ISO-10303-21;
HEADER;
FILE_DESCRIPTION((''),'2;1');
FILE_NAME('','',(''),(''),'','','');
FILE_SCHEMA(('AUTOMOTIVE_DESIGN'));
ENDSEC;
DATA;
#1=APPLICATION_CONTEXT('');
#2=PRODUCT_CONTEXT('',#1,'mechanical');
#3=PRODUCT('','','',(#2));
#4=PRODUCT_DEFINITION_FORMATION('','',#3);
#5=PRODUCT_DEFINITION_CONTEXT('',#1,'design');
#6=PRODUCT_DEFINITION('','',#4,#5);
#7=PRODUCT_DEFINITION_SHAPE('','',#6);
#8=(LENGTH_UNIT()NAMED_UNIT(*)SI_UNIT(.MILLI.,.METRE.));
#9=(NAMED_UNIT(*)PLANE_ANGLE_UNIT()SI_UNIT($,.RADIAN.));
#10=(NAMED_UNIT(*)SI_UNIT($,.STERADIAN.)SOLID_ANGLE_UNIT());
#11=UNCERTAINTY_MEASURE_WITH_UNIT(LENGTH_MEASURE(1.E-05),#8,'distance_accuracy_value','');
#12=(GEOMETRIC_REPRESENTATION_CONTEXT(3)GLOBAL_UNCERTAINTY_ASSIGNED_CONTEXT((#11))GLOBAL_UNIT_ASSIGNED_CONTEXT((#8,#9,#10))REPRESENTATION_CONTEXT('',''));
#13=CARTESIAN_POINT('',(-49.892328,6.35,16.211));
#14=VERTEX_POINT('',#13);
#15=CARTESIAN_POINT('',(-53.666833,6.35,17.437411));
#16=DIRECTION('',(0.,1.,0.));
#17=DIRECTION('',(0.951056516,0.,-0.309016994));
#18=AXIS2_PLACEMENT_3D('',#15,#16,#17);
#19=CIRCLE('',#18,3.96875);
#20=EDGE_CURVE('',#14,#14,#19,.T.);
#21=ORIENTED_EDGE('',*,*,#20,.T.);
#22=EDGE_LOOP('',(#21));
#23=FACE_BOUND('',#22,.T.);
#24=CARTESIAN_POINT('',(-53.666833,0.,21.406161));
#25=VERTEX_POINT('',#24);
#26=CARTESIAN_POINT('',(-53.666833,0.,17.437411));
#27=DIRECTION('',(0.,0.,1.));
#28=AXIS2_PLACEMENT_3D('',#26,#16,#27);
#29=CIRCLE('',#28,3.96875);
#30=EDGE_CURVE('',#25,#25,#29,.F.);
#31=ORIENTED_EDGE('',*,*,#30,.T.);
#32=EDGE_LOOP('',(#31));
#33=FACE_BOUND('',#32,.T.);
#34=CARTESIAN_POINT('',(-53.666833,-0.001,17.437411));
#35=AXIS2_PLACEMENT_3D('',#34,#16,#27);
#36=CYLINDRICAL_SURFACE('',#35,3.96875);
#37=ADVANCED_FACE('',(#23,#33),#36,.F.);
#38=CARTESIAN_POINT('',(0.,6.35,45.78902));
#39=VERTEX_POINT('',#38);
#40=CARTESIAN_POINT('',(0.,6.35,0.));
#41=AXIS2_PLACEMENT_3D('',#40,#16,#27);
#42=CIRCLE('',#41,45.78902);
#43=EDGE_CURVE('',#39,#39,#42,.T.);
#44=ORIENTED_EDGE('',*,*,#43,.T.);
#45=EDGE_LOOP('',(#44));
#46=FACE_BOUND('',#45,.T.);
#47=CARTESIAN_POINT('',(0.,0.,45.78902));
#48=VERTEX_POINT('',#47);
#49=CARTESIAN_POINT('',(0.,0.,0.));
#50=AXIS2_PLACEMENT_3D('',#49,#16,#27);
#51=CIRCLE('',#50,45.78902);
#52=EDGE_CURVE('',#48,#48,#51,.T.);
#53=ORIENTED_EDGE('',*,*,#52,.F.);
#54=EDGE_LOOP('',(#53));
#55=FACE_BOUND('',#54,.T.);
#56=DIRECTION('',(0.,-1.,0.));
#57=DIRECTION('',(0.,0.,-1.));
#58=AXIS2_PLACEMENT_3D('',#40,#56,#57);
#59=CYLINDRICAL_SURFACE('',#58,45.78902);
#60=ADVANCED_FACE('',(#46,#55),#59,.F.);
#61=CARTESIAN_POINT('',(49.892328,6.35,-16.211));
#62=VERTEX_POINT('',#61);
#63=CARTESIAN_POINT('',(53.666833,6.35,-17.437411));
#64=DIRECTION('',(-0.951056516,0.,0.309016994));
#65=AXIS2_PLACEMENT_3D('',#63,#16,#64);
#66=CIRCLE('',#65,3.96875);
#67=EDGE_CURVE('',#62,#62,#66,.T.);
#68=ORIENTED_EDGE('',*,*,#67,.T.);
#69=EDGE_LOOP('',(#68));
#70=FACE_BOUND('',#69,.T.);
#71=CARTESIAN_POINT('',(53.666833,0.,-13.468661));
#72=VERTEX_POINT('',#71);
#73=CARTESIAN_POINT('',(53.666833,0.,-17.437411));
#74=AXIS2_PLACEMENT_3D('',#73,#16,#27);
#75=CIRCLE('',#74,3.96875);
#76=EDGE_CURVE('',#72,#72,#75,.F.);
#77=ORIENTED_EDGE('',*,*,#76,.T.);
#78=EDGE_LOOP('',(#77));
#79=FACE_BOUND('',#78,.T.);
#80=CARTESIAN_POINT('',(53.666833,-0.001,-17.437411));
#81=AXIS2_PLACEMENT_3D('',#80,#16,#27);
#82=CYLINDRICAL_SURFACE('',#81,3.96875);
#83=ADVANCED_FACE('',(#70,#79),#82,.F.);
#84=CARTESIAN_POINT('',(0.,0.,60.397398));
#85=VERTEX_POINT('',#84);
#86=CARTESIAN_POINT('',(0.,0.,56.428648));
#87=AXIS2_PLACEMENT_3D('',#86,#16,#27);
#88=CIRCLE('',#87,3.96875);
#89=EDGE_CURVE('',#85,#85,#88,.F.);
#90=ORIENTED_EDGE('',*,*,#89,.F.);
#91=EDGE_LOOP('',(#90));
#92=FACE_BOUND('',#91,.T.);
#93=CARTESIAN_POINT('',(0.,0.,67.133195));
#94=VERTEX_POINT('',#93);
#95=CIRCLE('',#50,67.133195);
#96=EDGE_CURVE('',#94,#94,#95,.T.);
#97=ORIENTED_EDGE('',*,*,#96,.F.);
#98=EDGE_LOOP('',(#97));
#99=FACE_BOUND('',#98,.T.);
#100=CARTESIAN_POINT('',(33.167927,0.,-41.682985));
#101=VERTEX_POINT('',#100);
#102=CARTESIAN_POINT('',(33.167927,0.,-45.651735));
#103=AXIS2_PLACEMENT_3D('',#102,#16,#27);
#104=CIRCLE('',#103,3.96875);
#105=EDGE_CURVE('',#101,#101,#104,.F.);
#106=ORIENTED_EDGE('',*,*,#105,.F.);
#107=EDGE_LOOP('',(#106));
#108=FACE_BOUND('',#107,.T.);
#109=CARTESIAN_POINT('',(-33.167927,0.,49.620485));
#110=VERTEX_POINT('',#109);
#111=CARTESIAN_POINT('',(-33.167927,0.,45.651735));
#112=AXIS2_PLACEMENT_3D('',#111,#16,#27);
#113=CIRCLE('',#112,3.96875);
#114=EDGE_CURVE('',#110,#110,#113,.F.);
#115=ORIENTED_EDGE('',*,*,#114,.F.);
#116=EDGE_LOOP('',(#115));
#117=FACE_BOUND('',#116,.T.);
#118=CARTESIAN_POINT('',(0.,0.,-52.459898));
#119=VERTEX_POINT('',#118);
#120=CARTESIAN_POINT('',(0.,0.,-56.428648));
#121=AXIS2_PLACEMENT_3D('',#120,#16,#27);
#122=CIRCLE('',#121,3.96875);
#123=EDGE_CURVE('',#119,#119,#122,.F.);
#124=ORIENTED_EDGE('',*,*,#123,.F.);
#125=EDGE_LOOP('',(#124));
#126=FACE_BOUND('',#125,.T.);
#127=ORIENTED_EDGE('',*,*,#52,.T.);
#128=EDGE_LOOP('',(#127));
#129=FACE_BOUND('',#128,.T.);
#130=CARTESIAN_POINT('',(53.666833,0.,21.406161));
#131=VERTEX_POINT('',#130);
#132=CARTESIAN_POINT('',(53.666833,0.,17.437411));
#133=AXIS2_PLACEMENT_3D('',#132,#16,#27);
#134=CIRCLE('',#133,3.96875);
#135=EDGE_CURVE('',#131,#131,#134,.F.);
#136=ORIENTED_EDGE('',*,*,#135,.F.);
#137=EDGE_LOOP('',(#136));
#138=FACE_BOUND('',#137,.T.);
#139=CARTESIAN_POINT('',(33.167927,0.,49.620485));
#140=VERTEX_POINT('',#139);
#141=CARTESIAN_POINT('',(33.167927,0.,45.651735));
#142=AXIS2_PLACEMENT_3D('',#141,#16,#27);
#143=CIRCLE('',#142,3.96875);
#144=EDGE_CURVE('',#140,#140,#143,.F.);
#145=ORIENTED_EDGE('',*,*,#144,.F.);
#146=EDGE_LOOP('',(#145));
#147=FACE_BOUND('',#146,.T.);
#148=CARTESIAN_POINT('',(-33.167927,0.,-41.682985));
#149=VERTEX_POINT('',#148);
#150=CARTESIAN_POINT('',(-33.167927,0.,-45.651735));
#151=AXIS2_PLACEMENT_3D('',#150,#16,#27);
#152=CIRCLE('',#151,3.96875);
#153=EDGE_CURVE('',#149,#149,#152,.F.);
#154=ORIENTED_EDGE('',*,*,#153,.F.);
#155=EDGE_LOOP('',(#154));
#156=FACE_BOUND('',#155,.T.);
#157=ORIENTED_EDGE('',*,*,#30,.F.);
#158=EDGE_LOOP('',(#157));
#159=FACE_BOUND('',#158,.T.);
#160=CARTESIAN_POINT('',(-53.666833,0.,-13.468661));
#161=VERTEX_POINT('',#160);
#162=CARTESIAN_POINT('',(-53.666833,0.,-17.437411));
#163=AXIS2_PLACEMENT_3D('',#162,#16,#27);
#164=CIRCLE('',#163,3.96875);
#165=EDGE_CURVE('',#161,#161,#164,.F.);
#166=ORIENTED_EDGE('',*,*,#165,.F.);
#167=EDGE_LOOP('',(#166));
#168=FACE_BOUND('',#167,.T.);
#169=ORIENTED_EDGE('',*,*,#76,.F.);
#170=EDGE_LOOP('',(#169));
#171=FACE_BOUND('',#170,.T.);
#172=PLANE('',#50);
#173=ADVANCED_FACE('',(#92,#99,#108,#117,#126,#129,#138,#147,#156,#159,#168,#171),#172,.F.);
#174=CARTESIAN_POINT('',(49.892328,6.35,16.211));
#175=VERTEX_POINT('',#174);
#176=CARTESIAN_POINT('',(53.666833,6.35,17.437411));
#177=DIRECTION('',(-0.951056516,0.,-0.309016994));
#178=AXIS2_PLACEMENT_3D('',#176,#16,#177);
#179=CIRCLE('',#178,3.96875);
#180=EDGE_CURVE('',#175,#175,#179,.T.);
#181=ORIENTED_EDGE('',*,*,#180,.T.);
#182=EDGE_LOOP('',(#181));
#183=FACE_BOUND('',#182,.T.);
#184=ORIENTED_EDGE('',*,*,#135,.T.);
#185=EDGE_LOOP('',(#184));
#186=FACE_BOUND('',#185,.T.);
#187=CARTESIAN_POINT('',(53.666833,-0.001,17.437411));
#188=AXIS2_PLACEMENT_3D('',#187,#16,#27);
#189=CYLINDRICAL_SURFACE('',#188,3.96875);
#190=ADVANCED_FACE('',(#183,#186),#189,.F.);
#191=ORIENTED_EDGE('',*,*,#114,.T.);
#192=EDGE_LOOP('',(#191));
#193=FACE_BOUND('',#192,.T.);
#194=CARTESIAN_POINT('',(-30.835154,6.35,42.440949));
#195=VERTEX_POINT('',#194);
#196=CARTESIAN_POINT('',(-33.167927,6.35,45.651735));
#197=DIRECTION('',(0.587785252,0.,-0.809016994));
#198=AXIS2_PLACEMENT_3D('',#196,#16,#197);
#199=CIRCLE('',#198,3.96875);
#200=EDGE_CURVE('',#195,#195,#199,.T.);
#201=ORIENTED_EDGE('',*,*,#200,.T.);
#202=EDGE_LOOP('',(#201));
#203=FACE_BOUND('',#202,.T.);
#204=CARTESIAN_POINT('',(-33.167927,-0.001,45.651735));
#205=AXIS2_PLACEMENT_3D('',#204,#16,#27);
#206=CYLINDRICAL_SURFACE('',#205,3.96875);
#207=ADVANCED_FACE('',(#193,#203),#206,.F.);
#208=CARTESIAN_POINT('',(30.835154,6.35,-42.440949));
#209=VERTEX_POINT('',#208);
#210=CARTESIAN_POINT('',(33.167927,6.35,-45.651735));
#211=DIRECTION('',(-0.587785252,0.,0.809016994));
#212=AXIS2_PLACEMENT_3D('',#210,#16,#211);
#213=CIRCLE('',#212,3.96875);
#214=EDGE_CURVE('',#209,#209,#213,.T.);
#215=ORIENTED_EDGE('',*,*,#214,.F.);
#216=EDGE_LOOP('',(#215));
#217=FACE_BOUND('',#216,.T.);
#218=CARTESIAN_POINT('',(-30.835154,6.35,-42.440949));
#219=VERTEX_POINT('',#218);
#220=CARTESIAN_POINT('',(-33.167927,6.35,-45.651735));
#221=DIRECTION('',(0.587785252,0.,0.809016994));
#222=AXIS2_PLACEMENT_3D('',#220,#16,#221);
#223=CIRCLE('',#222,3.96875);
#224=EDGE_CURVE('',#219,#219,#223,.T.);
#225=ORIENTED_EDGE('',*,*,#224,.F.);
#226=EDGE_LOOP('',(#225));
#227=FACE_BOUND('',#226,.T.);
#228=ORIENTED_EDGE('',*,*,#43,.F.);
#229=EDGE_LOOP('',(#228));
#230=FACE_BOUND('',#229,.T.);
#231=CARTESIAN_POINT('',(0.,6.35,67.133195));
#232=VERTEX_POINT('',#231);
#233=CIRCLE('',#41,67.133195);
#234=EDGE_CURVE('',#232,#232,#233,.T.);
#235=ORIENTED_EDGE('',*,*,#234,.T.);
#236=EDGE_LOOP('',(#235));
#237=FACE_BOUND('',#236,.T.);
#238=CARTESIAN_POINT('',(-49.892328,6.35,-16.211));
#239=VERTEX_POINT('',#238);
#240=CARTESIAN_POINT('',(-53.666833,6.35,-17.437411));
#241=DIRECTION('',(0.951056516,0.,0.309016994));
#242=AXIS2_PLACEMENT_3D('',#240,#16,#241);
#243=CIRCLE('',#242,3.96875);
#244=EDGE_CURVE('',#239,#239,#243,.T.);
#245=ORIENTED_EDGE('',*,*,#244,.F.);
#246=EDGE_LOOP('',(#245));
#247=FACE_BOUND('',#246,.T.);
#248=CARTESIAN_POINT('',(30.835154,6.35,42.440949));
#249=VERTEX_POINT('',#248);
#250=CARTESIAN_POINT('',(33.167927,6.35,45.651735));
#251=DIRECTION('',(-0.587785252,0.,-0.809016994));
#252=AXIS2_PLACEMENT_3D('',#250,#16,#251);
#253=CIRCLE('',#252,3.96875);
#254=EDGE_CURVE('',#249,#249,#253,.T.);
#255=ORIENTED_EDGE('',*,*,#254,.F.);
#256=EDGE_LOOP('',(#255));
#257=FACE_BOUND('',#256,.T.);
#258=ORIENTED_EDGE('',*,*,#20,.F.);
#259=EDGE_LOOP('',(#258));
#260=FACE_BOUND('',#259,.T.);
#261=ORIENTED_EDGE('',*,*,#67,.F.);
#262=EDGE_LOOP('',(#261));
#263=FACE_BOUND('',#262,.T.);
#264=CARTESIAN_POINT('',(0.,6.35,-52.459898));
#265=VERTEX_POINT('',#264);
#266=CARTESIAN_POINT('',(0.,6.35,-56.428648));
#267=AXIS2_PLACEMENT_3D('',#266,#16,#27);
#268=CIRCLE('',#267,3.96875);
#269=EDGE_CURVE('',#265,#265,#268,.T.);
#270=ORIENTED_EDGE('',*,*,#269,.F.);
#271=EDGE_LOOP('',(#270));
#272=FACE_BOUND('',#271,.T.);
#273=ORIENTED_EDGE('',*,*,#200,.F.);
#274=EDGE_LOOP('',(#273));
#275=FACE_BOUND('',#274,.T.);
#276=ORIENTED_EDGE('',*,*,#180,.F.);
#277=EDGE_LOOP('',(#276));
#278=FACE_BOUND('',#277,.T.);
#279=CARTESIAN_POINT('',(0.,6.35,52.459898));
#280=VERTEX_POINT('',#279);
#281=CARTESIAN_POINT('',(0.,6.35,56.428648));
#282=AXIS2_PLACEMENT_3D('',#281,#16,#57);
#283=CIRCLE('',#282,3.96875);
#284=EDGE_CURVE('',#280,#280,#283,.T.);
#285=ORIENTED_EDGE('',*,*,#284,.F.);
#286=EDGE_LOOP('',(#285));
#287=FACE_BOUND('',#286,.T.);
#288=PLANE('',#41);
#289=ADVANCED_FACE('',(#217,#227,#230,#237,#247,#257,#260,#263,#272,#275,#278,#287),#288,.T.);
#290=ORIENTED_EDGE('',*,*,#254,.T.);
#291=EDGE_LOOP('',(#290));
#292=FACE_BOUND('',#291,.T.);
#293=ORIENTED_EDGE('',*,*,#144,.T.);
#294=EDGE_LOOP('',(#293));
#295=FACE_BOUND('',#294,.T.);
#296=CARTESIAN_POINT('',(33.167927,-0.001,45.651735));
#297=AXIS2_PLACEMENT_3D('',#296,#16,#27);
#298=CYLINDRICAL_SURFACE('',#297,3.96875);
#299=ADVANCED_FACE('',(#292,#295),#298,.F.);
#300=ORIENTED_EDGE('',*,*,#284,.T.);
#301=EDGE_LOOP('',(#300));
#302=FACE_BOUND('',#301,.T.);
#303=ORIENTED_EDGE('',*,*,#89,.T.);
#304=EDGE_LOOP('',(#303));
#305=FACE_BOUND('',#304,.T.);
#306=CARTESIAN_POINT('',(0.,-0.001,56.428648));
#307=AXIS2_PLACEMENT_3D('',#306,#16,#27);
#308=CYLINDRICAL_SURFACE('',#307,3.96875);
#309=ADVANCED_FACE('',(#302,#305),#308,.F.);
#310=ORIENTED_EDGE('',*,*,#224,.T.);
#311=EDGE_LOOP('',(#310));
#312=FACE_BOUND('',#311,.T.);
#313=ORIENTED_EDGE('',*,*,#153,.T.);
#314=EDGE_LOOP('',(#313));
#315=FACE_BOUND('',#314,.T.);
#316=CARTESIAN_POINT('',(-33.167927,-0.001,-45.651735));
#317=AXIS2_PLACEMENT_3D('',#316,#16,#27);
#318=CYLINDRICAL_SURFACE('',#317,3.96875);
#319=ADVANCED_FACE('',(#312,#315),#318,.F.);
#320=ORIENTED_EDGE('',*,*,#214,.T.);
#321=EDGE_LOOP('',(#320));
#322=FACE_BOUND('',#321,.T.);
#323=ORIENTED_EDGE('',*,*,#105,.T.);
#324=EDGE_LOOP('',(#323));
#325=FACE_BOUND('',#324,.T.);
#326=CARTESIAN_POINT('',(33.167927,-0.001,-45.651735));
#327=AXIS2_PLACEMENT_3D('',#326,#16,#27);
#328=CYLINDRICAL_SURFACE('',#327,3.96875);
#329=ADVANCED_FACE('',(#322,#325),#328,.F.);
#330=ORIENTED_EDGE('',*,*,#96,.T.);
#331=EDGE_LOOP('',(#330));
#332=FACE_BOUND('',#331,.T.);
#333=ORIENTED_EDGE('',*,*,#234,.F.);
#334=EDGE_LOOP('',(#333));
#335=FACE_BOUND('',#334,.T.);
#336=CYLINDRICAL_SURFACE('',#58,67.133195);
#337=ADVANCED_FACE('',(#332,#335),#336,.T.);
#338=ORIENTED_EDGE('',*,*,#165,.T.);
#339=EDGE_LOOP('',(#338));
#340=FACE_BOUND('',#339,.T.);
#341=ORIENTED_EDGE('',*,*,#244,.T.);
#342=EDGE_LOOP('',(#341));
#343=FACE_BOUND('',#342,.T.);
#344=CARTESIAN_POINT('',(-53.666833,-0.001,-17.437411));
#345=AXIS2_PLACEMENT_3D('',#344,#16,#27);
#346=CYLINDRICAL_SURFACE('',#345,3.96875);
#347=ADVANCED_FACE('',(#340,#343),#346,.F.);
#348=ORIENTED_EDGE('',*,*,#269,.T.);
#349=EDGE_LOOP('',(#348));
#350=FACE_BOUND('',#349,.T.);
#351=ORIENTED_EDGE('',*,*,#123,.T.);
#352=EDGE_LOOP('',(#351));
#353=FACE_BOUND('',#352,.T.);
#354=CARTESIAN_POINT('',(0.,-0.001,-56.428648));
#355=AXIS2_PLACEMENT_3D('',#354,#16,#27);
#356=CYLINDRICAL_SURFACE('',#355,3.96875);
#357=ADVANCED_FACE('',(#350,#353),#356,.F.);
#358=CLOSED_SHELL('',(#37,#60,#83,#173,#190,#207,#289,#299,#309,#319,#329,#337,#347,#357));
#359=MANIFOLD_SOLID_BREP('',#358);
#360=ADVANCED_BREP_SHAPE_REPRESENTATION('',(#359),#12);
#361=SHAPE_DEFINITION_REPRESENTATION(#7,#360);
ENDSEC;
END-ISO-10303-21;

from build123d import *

# Parameters (mm, degrees)
SKETCH1_R           = 67.133194764
SKETCH1_R_2         = 45.789019651
BOSS_EXTRUDE1_DEPTH = 6.35
CUT_EXTRUDE1_REACH  = 97.153
SKETCH2_R           = 3.96875
CIRPATTERN1_COUNT   = 10


with BuildPart() as part:
    # Sketch1 → Boss-Extrude1 (new body)
    with BuildSketch(Plane(origin=(0, 0, 0), x_dir=(1, 0, 0), z_dir=(0, 1, 0))):
        with Locations(Location((0, 0, 0), (0, 0, 270))):
            Circle(SKETCH1_R)
        with Locations(Location((0, 0, 0), (0, 0, 270))):
            Circle(SKETCH1_R_2, mode=Mode.SUBTRACT)
    extrude(amount=BOSS_EXTRUDE1_DEPTH)

    # Sketch2 → Cut-Extrude1 (cut, up to next)
    with BuildSketch(Plane(origin=(0, 6.35, 0), x_dir=(1, 0, 0), z_dir=(0, 1, 0)), mode=Mode.PRIVATE) as cut_extrude1_sk1:
        with Locations(Location((0, 56.428647919, 0), (0, 0, 270))):
            Circle(SKETCH2_R)
    cut_extrude1_tool1 = extrude(cut_extrude1_sk1.sketch, amount=-CUT_EXTRUDE1_REACH, mode=Mode.PRIVATE) & part.part
    cut_extrude1 = cut_extrude1_tool1.solids().sort_by_distance((0, 6.35, -56.428648))[0]
    add(cut_extrude1, mode=Mode.SUBTRACT)

    # CirPattern1: Cut-Extrude1 ×10 about axis
    cirpattern1_axis = Axis((0, 0, 0), (0, 1, 0))
    for i in range(1, CIRPATTERN1_COUNT):
        add(cut_extrude1.rotate(cirpattern1_axis, i * 360 / CIRPATTERN1_COUNT), mode=Mode.SUBTRACT)


solid = part.part
